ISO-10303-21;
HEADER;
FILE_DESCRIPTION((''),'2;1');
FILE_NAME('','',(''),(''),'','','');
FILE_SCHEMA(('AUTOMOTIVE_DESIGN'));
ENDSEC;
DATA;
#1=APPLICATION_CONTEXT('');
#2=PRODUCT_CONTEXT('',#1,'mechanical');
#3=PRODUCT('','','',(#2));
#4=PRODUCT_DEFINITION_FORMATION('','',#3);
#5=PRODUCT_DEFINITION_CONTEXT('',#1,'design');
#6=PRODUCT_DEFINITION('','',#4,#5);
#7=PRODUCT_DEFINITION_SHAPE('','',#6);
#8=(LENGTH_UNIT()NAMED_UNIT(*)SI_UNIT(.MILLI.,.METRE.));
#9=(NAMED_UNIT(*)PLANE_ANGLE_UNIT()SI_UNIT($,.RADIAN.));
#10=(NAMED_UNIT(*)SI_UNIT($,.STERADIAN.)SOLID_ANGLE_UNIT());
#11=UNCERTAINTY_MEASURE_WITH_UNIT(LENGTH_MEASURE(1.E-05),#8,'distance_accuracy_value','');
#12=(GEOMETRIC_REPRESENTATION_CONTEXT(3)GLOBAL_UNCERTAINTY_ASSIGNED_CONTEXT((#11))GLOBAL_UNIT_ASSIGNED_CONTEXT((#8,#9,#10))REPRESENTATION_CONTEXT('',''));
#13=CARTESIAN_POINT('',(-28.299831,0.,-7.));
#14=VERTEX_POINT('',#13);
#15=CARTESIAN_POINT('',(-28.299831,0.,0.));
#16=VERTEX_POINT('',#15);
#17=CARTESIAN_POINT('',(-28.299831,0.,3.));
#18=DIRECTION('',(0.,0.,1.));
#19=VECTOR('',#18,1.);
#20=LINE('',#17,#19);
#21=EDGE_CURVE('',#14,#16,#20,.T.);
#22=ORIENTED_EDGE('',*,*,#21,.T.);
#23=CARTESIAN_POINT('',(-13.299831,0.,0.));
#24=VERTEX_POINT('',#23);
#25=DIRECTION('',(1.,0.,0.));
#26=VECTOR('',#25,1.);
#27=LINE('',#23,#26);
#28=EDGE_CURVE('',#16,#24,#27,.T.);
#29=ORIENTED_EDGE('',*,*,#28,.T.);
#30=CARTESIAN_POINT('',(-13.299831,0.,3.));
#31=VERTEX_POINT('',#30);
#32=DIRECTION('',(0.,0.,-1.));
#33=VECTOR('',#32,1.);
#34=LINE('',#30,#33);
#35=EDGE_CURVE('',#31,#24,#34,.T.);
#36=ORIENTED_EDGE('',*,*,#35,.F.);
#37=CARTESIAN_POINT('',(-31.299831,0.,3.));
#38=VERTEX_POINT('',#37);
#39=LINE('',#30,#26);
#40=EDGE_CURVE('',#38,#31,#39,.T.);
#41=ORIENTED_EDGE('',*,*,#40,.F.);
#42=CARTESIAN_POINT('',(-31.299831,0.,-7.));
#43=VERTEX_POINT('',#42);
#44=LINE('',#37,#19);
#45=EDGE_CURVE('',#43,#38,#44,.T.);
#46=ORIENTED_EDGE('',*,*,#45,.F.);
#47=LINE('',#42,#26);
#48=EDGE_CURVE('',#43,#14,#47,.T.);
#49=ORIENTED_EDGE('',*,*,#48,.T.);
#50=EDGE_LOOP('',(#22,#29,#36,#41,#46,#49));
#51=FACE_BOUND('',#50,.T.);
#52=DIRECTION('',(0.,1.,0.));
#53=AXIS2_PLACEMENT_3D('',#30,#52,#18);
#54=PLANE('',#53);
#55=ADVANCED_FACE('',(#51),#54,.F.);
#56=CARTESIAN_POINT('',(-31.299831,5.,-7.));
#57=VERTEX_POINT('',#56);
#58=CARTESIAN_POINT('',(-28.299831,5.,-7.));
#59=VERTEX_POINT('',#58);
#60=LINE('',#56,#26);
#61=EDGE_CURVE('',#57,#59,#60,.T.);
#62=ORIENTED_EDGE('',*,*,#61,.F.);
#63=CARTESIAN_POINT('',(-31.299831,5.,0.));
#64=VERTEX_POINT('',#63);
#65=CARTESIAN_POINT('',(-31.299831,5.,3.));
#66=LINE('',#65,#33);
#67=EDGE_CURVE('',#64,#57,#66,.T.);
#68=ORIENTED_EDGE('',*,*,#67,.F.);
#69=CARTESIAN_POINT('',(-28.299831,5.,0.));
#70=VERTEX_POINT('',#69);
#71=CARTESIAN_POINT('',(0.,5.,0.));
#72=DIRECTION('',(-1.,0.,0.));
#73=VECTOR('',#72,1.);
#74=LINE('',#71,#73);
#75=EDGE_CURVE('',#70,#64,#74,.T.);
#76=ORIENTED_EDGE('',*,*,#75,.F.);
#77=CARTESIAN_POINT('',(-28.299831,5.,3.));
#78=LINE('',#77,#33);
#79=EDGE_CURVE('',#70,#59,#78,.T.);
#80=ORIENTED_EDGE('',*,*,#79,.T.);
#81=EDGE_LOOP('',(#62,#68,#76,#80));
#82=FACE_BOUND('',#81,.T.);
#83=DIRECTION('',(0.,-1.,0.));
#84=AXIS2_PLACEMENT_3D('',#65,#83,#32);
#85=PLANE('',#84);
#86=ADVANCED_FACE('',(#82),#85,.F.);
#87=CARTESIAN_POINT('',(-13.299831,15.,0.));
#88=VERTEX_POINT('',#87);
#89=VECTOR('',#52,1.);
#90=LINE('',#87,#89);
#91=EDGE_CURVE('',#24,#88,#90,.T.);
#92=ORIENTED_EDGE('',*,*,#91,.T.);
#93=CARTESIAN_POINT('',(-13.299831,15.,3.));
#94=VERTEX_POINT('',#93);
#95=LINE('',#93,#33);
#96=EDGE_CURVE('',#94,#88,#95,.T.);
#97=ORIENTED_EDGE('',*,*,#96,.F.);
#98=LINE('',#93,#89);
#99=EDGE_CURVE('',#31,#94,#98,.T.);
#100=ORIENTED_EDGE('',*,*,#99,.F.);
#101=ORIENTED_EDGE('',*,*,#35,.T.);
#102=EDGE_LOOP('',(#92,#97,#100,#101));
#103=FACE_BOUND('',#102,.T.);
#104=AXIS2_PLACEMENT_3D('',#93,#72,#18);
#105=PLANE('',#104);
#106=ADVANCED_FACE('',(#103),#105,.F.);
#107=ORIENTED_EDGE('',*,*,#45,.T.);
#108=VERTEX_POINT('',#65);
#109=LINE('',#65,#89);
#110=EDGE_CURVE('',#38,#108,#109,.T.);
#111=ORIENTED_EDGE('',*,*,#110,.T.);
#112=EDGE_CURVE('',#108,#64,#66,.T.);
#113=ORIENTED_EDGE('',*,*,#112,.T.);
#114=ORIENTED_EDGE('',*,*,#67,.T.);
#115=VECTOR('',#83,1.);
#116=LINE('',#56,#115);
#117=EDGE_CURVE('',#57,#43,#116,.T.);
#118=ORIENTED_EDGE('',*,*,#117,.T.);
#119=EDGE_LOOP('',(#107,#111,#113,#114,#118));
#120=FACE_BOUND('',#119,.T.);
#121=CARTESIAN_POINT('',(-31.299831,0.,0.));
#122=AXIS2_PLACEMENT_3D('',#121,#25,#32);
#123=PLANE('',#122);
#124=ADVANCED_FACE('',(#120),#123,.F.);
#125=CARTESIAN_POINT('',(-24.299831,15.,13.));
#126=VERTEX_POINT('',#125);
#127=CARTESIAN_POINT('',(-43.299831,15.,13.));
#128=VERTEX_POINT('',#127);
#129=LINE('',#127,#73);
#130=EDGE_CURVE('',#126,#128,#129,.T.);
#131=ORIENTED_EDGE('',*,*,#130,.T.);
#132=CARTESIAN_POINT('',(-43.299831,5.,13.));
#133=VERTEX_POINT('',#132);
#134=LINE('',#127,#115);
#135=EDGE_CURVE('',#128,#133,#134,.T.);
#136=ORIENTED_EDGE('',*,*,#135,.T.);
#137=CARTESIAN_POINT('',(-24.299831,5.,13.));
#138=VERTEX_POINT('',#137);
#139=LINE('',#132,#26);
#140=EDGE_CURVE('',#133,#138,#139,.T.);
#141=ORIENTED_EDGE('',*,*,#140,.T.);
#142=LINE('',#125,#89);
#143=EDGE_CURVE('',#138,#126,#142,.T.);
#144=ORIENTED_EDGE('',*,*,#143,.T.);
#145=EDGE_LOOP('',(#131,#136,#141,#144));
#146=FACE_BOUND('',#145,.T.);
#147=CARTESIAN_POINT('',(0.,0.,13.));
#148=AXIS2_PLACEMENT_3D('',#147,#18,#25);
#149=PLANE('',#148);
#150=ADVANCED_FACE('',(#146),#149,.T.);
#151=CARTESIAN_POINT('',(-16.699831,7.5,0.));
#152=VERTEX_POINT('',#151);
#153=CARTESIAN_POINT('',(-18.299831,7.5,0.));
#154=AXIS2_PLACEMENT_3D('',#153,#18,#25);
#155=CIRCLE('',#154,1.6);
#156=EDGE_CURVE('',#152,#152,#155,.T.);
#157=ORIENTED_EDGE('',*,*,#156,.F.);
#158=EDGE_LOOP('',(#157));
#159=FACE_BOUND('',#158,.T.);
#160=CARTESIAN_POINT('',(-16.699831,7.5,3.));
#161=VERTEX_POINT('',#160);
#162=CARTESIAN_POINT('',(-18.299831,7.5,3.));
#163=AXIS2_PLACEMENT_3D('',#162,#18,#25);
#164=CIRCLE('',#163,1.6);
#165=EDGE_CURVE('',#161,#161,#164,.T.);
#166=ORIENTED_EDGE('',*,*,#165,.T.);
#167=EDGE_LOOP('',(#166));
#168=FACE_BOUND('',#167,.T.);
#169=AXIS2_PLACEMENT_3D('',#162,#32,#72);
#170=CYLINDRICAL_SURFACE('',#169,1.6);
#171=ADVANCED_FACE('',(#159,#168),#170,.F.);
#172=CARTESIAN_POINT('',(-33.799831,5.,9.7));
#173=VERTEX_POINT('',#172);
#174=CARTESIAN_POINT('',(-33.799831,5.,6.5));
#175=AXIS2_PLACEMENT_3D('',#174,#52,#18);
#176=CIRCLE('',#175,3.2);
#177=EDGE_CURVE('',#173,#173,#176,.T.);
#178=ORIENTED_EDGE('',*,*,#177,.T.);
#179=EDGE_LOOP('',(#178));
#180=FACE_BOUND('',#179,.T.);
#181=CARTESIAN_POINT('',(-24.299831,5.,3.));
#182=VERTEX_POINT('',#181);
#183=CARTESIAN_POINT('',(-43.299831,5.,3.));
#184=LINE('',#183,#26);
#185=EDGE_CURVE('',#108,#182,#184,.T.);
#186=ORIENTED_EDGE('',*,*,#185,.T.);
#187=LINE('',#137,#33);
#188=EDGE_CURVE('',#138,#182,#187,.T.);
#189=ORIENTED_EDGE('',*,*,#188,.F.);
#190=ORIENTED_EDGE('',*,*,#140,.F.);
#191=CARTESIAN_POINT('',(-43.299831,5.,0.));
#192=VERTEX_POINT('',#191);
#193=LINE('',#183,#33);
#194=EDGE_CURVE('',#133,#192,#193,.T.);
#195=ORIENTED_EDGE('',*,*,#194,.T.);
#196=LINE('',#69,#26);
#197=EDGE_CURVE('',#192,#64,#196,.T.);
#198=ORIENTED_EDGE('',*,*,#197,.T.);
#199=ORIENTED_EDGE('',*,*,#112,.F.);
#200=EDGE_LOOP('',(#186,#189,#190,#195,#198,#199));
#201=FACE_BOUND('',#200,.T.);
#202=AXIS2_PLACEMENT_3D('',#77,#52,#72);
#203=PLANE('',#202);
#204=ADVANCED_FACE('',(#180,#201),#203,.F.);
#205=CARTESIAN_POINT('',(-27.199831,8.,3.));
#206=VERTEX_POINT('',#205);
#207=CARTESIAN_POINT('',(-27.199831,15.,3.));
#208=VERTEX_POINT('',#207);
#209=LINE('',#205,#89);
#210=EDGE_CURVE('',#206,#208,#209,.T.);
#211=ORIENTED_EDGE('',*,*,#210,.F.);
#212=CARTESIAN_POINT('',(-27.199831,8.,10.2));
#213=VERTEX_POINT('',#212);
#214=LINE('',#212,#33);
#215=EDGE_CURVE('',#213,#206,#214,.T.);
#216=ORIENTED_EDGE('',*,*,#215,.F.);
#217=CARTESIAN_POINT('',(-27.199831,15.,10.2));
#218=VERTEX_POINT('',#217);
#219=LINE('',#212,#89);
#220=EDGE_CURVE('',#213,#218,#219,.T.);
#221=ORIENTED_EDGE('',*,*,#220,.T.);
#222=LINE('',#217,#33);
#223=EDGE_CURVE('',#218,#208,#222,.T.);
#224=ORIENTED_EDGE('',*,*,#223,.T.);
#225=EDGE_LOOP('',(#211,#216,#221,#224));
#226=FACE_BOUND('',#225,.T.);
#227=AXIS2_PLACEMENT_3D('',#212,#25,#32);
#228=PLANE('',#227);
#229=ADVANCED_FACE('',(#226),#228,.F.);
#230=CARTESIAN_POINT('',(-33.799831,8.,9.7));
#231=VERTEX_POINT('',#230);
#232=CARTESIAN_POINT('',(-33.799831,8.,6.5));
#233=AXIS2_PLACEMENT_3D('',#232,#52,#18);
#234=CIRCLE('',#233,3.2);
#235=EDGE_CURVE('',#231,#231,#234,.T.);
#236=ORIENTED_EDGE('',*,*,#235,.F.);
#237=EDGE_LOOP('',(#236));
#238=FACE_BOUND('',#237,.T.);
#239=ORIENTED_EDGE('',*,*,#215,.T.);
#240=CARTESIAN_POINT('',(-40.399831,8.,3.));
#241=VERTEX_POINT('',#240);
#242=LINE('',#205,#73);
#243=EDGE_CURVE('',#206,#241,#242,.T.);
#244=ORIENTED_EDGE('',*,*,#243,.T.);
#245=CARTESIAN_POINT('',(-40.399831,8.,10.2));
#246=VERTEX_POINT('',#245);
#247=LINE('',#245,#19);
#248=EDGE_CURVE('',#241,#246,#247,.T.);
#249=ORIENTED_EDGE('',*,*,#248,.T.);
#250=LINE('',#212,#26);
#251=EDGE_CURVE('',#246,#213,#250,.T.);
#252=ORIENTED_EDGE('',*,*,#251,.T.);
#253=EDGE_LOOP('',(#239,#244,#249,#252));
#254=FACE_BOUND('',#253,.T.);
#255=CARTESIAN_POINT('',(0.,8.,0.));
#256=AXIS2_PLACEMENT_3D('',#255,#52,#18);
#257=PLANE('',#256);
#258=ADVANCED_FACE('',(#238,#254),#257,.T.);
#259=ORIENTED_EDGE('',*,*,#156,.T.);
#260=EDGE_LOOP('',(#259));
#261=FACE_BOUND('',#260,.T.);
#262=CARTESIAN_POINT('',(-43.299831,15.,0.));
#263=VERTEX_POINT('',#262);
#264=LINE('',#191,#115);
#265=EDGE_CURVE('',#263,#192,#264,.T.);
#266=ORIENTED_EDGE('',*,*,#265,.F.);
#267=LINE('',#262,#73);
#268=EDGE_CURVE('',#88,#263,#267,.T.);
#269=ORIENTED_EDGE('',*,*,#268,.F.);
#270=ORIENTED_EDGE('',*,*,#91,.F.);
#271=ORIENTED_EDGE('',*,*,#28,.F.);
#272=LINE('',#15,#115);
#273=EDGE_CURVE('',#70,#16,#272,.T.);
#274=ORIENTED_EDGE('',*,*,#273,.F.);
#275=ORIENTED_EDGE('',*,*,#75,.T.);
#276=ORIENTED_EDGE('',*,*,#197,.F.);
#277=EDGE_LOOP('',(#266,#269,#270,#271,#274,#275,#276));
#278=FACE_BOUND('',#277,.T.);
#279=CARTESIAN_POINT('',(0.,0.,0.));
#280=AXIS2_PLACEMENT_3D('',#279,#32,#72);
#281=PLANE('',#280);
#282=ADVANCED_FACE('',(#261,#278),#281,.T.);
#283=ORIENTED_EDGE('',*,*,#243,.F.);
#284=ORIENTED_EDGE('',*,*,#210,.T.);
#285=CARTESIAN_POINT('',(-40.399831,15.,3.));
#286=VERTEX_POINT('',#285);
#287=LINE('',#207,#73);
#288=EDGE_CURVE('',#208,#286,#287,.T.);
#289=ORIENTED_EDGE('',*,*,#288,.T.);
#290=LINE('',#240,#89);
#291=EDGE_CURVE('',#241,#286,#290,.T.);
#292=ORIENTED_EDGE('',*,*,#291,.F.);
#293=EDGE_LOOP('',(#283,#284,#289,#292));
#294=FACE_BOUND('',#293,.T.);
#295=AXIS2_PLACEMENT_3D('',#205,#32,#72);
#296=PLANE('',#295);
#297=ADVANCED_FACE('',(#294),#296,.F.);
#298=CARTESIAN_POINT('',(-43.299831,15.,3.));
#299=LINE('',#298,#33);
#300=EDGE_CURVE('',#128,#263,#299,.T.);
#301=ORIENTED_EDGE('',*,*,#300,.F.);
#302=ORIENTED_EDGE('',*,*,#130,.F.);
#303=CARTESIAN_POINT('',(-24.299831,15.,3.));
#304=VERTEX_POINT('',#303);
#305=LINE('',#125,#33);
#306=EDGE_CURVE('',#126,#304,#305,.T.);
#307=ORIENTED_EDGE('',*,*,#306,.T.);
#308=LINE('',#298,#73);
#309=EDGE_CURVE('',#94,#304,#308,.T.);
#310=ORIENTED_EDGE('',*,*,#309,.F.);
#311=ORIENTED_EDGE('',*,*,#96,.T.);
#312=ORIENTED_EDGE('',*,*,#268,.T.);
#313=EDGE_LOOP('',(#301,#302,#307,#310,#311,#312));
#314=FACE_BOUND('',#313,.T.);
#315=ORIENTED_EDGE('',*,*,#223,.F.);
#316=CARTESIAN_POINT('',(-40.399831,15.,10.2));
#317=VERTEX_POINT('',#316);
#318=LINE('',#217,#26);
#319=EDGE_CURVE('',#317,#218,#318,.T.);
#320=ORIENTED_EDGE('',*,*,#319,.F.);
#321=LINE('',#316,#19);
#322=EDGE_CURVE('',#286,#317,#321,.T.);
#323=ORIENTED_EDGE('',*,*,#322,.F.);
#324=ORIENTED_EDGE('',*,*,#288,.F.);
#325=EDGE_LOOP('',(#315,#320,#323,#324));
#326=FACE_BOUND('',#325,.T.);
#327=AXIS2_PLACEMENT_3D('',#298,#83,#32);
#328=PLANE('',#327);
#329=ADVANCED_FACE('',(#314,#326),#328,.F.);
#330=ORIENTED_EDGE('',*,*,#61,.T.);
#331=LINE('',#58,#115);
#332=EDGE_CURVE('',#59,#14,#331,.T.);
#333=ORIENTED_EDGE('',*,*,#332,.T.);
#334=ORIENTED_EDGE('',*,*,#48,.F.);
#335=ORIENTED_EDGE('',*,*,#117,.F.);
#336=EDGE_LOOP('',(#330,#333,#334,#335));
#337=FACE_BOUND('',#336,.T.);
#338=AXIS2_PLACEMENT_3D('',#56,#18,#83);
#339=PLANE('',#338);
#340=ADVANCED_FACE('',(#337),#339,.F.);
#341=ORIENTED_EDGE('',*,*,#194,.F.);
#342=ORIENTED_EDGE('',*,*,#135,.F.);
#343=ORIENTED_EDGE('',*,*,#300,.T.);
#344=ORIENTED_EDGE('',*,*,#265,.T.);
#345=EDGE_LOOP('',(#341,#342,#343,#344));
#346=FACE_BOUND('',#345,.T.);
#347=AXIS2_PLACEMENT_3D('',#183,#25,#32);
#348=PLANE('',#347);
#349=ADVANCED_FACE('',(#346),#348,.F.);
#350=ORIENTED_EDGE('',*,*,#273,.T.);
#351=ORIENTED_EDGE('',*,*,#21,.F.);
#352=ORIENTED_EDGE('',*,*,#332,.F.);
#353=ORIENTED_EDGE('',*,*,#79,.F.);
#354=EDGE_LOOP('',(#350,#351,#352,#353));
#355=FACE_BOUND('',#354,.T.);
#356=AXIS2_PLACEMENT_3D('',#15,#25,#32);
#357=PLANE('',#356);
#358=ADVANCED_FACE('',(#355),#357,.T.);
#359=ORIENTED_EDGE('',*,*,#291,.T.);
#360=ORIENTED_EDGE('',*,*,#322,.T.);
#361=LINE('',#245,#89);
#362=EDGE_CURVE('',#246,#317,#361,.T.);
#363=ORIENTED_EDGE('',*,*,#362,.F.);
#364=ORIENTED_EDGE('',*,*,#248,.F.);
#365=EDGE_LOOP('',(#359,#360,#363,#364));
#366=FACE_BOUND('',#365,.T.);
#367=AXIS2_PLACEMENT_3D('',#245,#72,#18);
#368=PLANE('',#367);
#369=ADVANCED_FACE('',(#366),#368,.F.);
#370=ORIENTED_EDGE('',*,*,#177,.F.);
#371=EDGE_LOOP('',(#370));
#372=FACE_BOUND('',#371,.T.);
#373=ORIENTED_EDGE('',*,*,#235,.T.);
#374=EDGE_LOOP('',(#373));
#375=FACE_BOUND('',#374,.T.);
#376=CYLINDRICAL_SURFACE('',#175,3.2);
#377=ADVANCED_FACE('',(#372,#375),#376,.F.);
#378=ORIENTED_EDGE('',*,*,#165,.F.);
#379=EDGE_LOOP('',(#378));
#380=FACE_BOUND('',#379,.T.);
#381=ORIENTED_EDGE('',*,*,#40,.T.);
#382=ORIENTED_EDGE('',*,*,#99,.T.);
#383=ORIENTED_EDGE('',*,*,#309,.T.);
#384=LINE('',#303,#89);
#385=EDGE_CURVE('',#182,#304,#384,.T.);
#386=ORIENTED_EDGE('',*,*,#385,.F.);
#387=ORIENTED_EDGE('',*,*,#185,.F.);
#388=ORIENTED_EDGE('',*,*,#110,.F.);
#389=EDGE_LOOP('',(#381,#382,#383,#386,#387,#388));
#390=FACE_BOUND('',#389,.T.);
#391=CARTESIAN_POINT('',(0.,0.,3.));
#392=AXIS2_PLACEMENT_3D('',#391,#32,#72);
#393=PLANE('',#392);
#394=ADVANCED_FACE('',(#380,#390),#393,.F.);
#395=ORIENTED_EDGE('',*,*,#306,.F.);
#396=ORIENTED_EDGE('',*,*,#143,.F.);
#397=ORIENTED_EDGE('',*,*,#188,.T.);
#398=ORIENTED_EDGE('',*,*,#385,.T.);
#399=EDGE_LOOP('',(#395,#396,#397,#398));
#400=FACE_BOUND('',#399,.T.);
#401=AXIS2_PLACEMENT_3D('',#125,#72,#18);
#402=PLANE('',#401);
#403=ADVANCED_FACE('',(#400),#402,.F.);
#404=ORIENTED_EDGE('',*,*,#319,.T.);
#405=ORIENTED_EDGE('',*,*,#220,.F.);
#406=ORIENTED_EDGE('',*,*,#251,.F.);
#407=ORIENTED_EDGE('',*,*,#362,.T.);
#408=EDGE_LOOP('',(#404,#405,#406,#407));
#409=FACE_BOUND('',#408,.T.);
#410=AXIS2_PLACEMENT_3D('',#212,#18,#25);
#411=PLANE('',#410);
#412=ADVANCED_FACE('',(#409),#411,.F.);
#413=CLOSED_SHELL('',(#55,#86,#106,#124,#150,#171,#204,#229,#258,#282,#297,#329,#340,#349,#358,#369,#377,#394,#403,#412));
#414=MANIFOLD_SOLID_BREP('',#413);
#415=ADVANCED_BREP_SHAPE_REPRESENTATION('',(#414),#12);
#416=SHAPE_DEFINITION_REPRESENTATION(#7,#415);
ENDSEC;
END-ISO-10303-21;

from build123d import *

# Parameters (mm, degrees)
CROQUIS1_R              = 1.6
SALIENTE_EXTRUIR1_DEPTH = 3
CROQUIS2_W              = 19
CROQUIS2_H              = 10
SALIENTE_EXTRUIR2_DEPTH = 10
CROQUIS3_W              = 13.2
CROQUIS3_H              = 7.2
CORTAR_EXTRUIR1_DEPTH   = 7
CROQUIS4_R              = 3.2
CORTAR_EXTRUIR2_DEPTH   = 3
CROQUIS5_W              = 10
CROQUIS5_H              = 5
SALIENTE_EXTRUIR3_DEPTH = 3


with BuildPart() as part:
    # Croquis1 → Saliente-Extruir1 (new body)
    with BuildSketch(Plane.XY):
        Polygon((-13.299831285, 0), (-28.299831285, 0), (-28.299831285, 5), (-43.299831285, 5), (-43.299831285, 15), (-13.299831285, 15), align=None)
        with Locations((-18.299831285, 7.5)):
            Circle(CROQUIS1_R, mode=Mode.SUBTRACT)
    extrude(amount=SALIENTE_EXTRUIR1_DEPTH)

    # Croquis2 → Saliente-Extruir2 (add)
    with BuildSketch(Plane.XY.offset(3)):
        with Locations((-33.799831285, 10)):
            Rectangle(CROQUIS2_W, CROQUIS2_H)
    extrude(amount=SALIENTE_EXTRUIR2_DEPTH)

    # Croquis3 → Cortar-Extruir1 (cut)
    with BuildSketch(Plane(origin=(0, 15, 0), x_dir=(1, 0, 0), z_dir=(0, 1, 0))):
        with Locations((-33.799831285, -6.6)):
            Rectangle(CROQUIS3_W, CROQUIS3_H)
    extrude(amount=-CORTAR_EXTRUIR1_DEPTH, mode=Mode.SUBTRACT)

    # Croquis4 → Cortar-Extruir2 (cut)
    with BuildSketch(Plane(origin=(0, 8, 0), x_dir=(1, 0, 0), z_dir=(0, 1, 0))):
        with Locations((-33.799831285, -6.5)):
            Circle(CROQUIS4_R)
    extrude(amount=-CORTAR_EXTRUIR2_DEPTH, mode=Mode.SUBTRACT)

    # Croquis5 → Saliente-Extruir3 (add)
    with BuildSketch(Plane.ZY.offset(28.299831285)):
        with Locations((-2, 2.5)):
            Rectangle(CROQUIS5_W, CROQUIS5_H)
    extrude(amount=SALIENTE_EXTRUIR3_DEPTH)


solid = part.part
